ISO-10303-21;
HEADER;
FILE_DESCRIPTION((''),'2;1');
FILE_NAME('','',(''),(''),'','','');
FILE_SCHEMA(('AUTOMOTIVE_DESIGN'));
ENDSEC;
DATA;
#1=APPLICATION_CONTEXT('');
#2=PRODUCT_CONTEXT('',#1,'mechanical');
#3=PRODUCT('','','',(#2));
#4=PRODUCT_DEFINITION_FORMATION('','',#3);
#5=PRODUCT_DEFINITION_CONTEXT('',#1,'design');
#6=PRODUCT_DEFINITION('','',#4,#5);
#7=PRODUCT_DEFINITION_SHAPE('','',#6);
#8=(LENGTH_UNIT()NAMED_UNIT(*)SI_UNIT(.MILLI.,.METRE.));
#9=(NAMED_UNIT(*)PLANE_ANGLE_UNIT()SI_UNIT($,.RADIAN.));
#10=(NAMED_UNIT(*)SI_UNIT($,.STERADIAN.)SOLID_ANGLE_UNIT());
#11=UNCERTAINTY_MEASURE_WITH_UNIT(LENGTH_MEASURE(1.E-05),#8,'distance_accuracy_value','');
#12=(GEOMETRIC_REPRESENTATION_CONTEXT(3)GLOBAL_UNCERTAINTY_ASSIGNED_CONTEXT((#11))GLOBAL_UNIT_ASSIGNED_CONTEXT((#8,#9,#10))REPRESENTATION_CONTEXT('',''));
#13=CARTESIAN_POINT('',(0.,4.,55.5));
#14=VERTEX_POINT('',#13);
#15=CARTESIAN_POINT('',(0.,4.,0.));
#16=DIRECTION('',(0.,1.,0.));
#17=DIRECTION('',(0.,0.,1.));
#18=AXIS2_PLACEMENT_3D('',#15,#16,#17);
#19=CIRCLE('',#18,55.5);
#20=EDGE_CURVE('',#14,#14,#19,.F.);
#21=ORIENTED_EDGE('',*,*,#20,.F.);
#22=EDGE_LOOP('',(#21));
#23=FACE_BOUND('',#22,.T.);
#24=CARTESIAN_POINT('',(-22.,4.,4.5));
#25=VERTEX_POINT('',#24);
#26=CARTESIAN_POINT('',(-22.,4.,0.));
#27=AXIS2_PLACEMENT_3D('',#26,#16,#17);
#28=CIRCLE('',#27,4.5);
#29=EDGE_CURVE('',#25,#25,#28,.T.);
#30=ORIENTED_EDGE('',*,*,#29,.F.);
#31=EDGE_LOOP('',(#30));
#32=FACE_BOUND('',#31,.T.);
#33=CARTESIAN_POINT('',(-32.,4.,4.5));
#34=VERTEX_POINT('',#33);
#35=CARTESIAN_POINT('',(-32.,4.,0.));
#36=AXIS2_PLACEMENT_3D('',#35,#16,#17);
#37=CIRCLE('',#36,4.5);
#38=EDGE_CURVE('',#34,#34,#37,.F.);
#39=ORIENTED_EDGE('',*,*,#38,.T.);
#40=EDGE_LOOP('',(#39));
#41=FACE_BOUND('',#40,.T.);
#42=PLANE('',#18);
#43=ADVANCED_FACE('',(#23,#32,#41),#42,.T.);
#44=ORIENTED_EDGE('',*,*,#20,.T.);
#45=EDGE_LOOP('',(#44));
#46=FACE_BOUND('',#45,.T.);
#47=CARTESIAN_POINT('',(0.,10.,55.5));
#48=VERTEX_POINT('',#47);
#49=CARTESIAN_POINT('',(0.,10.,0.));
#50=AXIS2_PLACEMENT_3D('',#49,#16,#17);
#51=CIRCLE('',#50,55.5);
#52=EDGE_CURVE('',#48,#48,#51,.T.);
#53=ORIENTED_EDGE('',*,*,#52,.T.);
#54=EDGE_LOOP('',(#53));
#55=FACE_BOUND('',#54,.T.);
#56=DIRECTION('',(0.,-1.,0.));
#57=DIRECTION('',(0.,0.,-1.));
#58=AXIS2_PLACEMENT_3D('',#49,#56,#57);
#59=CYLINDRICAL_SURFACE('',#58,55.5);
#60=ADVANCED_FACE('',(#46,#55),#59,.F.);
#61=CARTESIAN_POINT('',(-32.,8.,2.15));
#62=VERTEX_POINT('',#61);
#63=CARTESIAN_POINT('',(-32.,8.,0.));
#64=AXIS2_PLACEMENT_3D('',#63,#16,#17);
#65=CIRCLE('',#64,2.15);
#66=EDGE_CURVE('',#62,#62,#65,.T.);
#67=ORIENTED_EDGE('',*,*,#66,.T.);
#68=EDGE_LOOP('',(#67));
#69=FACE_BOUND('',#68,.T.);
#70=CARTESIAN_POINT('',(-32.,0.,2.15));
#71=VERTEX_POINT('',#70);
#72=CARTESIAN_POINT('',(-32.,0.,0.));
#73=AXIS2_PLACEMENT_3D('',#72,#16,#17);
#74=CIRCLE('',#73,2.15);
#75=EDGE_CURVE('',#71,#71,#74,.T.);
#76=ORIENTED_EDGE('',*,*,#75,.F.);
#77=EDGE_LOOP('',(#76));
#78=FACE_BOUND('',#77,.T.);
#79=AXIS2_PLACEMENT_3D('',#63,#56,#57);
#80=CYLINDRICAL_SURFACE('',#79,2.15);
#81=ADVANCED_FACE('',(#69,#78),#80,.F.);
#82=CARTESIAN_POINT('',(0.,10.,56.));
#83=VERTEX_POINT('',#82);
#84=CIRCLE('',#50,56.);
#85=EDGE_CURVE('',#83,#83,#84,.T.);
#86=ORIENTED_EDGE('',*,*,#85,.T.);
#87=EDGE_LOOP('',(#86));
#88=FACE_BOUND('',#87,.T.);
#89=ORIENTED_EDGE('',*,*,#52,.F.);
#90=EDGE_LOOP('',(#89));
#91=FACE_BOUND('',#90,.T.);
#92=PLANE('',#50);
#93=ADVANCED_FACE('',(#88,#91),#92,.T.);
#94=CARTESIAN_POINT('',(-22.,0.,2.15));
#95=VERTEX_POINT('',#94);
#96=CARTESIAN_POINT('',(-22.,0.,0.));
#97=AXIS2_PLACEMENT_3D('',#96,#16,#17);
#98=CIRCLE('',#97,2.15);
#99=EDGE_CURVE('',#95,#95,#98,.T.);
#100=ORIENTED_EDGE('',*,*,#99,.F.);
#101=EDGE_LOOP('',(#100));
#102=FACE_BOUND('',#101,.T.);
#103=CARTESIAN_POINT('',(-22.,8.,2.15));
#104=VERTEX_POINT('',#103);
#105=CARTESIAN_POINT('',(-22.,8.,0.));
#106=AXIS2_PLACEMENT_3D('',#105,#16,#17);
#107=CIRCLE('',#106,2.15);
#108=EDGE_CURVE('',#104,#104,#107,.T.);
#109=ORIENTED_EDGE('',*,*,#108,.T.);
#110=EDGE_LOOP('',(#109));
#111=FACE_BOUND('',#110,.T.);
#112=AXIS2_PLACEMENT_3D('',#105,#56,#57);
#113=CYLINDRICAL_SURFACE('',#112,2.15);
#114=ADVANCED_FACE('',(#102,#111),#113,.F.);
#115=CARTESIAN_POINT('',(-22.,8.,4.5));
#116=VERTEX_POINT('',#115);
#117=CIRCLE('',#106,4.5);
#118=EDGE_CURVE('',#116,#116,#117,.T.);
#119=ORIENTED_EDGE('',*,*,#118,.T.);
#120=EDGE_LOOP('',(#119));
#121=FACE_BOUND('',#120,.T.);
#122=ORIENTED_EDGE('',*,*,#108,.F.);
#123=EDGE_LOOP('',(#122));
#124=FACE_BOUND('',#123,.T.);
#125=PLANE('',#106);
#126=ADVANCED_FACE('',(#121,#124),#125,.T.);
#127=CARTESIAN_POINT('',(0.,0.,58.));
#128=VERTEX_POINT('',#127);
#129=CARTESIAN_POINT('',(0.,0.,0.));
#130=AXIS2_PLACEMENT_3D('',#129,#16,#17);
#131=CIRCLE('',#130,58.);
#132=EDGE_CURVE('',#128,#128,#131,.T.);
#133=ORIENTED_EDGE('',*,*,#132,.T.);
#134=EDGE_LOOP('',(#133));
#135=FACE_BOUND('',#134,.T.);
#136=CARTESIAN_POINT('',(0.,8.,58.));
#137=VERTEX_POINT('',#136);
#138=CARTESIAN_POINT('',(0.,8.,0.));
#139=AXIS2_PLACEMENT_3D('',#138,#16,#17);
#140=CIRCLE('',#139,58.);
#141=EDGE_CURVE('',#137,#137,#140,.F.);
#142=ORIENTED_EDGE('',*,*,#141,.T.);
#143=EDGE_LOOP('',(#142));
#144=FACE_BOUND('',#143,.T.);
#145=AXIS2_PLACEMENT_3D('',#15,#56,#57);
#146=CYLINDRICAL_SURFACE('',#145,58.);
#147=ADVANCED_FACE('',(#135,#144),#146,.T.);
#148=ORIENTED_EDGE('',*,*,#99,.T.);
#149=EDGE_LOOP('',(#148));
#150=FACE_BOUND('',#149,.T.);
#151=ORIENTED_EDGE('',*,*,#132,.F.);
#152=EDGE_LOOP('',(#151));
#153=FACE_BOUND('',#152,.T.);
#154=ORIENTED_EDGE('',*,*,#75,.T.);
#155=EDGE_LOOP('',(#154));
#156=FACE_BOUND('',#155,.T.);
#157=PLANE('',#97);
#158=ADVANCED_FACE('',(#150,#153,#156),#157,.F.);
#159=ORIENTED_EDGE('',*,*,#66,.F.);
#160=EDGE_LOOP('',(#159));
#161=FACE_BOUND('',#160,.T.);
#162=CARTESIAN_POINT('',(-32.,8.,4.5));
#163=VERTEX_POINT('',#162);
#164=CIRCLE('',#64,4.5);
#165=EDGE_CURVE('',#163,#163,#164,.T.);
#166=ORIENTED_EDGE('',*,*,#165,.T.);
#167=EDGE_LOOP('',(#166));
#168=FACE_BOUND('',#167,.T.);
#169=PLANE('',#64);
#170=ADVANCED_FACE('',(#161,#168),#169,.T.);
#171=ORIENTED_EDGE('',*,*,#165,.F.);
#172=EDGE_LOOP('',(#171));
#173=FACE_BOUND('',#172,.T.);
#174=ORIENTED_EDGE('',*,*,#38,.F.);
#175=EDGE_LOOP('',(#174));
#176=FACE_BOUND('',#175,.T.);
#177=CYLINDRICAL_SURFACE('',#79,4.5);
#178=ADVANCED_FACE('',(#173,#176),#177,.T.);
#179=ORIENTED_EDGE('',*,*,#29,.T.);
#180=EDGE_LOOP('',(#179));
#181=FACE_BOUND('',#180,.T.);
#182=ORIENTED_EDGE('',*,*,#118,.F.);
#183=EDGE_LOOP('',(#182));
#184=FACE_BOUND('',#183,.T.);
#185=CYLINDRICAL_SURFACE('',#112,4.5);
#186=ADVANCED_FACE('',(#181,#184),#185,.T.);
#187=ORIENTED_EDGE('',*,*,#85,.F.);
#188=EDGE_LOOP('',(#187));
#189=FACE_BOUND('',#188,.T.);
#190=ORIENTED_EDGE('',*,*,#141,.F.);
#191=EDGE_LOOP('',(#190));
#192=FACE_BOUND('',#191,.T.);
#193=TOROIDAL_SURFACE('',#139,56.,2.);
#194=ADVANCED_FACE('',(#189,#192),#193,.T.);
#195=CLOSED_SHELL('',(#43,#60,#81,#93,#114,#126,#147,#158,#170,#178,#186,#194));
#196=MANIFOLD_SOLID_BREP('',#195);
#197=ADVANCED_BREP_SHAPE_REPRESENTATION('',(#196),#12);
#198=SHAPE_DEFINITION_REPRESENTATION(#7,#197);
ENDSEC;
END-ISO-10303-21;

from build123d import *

# Parameters (mm, degrees)
SKETCH_1_R                       = 4.5
MOVING_POST_A_DEPTH              = 8
SKETCH_2_R                       = 58
CUP_PLATE_D116_T4_DEPTH          = 4
SKETCH_3_R                       = 4.5
MOVING_POST_B_DEPTH              = 8
SKETCH_4_R                       = 58
SKETCH_4_R_2                     = 55.5
DRIP_SKIRT_OD116_ID111_H10_DEPTH = 10
SKETCH_5_R                       = 2.15
M4_MOVING_MOUNT_CLEARANCE_DEPTH  = 8
CUP_TOP_OUTER_ROUND_R2_R         = 2


with BuildPart() as part:
    # 草图1 → Moving_post_A (new body)
    with BuildSketch(Plane(origin=(0, 0, 0), x_dir=(1, 0, 0), z_dir=(0, 1, 0))):
        with Locations(Location((-22, 0, 0), (0, 0, 270))):
            Circle(SKETCH_1_R)
    extrude(amount=MOVING_POST_A_DEPTH)

    # 草图2 → Cup_plate_D116_T4 (add)
    with BuildSketch(Plane(origin=(0, 0, 0), x_dir=(1, 0, 0), z_dir=(0, 1, 0))):
        with Locations(Location((0, 0, 0), (0, 0, 270))):
            Circle(SKETCH_2_R)
    extrude(amount=CUP_PLATE_D116_T4_DEPTH)

    # 草图3 → Moving_post_B (add)
    with BuildSketch(Plane(origin=(0, 0, 0), x_dir=(1, 0, 0), z_dir=(0, 1, 0))):
        with Locations(Location((-32, 0, 0), (0, 0, 270))):
            Circle(SKETCH_3_R)
    extrude(amount=MOVING_POST_B_DEPTH)

    # 草图4 → Drip_skirt_OD116_ID111_H10 (add)
    with BuildSketch(Plane(origin=(0, 0, 0), x_dir=(1, 0, 0), z_dir=(0, 1, 0))):
        with Locations(Location((0, 0, 0), (0, 0, 270))):
            Circle(SKETCH_4_R)
        with Locations(Location((0, 0, 0), (0, 0, 270))):
            Circle(SKETCH_4_R_2, mode=Mode.SUBTRACT)
    extrude(amount=DRIP_SKIRT_OD116_ID111_H10_DEPTH)

    # 草图5 → M4_moving_mount_clearance (cut)
    with BuildSketch(Plane(origin=(0, 0, 0), x_dir=(1, 0, 0), z_dir=(0, 1, 0))):
        with Locations(Location((-22, 0, 0), (0, 0, 270))):
            Circle(SKETCH_5_R)
        with Locations(Location((-32, 0, 0), (0, 0, 270))):
            Circle(SKETCH_5_R)
    extrude(amount=M4_MOVING_MOUNT_CLEARANCE_DEPTH, mode=Mode.SUBTRACT)

    # Cup_top_outer_round_R2
    cup_top_outer_round_r2_edges = [part.edges().sort_by_distance(p)[0] for p in [
        (0, 10, -58),
    ]]
    fillet(cup_top_outer_round_r2_edges, radius=CUP_TOP_OUTER_ROUND_R2_R)


solid = part.part
